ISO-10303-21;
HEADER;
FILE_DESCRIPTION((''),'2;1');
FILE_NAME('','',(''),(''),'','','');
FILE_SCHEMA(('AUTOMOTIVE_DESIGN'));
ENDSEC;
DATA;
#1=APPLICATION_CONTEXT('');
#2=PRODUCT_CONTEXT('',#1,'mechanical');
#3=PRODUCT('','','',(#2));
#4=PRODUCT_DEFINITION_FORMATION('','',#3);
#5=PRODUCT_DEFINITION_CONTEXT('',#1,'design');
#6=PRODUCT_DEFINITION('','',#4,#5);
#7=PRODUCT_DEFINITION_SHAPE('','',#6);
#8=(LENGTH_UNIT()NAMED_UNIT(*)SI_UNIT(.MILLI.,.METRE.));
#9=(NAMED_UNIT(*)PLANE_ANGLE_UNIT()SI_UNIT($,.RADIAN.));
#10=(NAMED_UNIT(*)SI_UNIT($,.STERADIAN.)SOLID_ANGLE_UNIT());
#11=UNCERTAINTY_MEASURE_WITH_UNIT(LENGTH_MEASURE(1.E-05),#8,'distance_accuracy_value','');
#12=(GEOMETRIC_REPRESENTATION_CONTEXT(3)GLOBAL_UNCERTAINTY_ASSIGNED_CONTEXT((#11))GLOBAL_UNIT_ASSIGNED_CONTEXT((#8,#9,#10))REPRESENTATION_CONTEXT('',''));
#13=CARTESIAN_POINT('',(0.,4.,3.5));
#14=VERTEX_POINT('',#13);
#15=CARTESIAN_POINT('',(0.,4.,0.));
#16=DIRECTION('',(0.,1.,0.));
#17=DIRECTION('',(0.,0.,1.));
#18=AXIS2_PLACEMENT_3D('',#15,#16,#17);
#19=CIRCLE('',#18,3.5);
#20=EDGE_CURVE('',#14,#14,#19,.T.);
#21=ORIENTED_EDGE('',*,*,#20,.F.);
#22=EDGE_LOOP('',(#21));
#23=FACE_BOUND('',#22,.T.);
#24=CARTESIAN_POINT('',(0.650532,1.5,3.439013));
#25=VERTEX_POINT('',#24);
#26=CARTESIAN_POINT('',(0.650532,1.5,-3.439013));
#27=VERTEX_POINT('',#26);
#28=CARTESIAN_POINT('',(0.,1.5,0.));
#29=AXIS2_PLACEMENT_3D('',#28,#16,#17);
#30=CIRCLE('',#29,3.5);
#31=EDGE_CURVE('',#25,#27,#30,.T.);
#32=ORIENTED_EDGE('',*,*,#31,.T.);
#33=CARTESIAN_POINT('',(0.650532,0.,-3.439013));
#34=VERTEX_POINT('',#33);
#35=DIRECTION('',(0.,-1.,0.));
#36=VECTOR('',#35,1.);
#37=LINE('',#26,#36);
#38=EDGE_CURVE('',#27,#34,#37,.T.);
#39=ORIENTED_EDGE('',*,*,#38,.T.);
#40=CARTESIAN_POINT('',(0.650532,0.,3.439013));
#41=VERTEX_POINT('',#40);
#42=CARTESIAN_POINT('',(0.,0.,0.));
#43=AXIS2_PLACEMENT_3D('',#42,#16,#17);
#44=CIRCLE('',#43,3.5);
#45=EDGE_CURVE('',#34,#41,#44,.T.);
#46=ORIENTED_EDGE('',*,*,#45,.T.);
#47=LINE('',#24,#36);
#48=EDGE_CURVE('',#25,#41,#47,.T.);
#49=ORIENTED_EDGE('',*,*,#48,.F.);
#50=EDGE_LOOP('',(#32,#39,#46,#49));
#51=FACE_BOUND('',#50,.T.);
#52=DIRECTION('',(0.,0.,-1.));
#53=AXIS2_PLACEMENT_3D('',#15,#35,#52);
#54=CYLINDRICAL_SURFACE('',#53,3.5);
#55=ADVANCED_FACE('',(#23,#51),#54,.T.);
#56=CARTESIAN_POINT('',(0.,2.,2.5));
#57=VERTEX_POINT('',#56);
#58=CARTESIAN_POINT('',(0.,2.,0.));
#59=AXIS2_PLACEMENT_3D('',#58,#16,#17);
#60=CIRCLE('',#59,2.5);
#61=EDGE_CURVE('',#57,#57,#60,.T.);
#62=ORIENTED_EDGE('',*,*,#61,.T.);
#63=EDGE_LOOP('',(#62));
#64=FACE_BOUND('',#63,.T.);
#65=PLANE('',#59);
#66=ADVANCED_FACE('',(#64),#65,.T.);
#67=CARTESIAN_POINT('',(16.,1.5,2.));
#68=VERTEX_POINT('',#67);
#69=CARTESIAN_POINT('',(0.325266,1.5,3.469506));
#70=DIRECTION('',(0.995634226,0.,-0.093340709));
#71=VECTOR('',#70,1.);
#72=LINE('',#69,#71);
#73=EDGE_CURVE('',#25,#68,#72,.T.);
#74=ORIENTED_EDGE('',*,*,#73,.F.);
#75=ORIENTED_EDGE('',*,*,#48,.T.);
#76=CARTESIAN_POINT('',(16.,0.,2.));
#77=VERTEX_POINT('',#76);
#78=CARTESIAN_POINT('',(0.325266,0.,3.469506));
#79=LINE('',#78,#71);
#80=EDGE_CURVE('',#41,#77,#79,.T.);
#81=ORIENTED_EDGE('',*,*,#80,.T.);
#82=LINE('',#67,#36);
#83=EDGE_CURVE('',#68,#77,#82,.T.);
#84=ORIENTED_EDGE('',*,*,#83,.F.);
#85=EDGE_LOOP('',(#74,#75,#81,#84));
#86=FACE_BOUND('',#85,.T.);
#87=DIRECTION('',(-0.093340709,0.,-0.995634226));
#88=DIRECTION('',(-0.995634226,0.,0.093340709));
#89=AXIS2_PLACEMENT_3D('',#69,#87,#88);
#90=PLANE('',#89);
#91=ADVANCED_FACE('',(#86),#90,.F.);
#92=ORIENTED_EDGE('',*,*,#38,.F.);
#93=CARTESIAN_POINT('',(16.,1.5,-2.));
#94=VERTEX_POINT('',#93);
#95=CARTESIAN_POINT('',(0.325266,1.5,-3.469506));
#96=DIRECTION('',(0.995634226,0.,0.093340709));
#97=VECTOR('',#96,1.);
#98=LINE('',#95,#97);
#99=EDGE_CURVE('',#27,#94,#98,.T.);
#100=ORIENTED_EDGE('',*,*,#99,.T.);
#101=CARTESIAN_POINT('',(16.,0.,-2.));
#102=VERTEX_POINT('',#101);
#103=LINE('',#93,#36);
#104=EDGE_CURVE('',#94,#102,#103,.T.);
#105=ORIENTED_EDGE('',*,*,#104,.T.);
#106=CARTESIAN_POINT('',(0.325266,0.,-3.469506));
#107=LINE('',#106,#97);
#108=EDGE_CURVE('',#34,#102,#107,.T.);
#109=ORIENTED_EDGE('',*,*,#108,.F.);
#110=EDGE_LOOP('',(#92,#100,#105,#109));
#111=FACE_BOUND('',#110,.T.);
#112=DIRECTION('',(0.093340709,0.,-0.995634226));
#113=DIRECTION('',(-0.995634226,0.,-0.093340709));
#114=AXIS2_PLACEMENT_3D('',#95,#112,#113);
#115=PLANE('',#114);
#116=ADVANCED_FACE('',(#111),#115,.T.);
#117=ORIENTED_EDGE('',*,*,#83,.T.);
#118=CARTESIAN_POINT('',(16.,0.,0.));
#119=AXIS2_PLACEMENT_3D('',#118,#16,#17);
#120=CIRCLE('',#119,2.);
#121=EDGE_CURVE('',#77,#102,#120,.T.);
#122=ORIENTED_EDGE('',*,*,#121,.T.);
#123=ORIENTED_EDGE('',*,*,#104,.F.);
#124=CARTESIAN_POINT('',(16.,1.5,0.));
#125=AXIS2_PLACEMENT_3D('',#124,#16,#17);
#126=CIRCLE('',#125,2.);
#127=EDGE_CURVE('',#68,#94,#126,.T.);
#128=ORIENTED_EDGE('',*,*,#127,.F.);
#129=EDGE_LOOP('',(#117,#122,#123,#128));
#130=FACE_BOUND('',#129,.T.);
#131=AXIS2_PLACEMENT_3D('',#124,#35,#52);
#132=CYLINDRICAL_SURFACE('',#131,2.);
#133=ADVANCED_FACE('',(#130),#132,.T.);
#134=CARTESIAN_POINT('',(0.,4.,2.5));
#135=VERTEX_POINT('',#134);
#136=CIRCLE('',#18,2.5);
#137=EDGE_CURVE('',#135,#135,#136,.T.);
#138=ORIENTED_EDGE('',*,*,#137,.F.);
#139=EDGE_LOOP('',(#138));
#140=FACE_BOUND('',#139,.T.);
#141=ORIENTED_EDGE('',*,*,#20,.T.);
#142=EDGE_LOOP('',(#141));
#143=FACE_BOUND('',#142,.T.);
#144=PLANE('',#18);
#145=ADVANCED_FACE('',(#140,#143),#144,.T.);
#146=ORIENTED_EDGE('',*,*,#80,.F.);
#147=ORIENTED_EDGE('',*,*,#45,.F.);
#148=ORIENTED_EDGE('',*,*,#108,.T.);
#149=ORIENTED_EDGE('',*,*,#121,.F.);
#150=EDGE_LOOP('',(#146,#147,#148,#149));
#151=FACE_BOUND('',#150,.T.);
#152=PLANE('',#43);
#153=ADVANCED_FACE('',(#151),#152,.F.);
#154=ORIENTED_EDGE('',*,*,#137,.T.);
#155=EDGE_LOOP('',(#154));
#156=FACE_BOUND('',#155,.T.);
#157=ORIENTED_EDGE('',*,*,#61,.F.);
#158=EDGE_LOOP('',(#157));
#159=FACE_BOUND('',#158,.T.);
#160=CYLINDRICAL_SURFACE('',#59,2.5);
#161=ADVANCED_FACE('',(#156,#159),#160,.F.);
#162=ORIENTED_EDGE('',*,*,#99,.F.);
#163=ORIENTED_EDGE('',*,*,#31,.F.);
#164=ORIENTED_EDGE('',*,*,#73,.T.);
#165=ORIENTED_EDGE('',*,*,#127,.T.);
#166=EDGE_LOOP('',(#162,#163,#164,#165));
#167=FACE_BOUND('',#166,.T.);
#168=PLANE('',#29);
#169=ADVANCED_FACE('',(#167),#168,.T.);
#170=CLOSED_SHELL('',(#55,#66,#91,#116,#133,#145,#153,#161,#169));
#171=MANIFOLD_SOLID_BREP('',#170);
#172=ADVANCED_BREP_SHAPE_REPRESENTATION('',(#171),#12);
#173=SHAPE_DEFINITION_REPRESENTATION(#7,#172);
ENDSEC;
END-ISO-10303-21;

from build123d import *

# Parameters (mm, degrees)
SKETCH1_R           = 3.5
BOSS_EXTRUDE1_DEPTH = 4
SKETCH2_R           = 2.5
CUT_EXTRUDE1_DEPTH  = 2
SKETCH3_R           = 2
BOSS_EXTRUDE2_DEPTH = 1.5


with BuildPart() as part:
    # Sketch1 → Boss-Extrude1 (new body)
    with BuildSketch(Plane(origin=(0, 0, 0), x_dir=(1, 0, 0), z_dir=(0, 1, 0))):
        with Locations(Location((0, 0, 0), (0, 0, 270))):
            Circle(SKETCH1_R)
    extrude(amount=BOSS_EXTRUDE1_DEPTH)

    # Sketch2 → Cut-Extrude1 (cut)
    with BuildSketch(Plane(origin=(0, 4, 0), x_dir=(1, 0, 0), z_dir=(0, 1, 0))):
        with Locations(Location((0, 0, 0), (0, 0, 270))):
            Circle(SKETCH2_R)
    extrude(amount=-CUT_EXTRUDE1_DEPTH, mode=Mode.SUBTRACT)

    # Sketch3 → Boss-Extrude2 (add)
    with BuildSketch(Plane(origin=(0, 0, 0), x_dir=(1, 0, 0), z_dir=(0, 1, 0))):
        with Locations((16, 0)):
            Circle(SKETCH3_R)
        with BuildLine():
            Line((16, 2), (0.65053243, 3.439012585))
            ThreePointArc((0.65053243, 3.439012585), (2.695075463, 2.233062527), (3.5, 0))
            ThreePointArc((3.5, 0), (2.695075463, -2.233062527), (0.65053243, -3.439012585))
            Line((0.65053243, -3.439012585), (16, -2))
            ThreePointArc((16, -2), (14, 0), (16, 2))
        make_face()
    extrude(amount=BOSS_EXTRUDE2_DEPTH)


solid = part.part
